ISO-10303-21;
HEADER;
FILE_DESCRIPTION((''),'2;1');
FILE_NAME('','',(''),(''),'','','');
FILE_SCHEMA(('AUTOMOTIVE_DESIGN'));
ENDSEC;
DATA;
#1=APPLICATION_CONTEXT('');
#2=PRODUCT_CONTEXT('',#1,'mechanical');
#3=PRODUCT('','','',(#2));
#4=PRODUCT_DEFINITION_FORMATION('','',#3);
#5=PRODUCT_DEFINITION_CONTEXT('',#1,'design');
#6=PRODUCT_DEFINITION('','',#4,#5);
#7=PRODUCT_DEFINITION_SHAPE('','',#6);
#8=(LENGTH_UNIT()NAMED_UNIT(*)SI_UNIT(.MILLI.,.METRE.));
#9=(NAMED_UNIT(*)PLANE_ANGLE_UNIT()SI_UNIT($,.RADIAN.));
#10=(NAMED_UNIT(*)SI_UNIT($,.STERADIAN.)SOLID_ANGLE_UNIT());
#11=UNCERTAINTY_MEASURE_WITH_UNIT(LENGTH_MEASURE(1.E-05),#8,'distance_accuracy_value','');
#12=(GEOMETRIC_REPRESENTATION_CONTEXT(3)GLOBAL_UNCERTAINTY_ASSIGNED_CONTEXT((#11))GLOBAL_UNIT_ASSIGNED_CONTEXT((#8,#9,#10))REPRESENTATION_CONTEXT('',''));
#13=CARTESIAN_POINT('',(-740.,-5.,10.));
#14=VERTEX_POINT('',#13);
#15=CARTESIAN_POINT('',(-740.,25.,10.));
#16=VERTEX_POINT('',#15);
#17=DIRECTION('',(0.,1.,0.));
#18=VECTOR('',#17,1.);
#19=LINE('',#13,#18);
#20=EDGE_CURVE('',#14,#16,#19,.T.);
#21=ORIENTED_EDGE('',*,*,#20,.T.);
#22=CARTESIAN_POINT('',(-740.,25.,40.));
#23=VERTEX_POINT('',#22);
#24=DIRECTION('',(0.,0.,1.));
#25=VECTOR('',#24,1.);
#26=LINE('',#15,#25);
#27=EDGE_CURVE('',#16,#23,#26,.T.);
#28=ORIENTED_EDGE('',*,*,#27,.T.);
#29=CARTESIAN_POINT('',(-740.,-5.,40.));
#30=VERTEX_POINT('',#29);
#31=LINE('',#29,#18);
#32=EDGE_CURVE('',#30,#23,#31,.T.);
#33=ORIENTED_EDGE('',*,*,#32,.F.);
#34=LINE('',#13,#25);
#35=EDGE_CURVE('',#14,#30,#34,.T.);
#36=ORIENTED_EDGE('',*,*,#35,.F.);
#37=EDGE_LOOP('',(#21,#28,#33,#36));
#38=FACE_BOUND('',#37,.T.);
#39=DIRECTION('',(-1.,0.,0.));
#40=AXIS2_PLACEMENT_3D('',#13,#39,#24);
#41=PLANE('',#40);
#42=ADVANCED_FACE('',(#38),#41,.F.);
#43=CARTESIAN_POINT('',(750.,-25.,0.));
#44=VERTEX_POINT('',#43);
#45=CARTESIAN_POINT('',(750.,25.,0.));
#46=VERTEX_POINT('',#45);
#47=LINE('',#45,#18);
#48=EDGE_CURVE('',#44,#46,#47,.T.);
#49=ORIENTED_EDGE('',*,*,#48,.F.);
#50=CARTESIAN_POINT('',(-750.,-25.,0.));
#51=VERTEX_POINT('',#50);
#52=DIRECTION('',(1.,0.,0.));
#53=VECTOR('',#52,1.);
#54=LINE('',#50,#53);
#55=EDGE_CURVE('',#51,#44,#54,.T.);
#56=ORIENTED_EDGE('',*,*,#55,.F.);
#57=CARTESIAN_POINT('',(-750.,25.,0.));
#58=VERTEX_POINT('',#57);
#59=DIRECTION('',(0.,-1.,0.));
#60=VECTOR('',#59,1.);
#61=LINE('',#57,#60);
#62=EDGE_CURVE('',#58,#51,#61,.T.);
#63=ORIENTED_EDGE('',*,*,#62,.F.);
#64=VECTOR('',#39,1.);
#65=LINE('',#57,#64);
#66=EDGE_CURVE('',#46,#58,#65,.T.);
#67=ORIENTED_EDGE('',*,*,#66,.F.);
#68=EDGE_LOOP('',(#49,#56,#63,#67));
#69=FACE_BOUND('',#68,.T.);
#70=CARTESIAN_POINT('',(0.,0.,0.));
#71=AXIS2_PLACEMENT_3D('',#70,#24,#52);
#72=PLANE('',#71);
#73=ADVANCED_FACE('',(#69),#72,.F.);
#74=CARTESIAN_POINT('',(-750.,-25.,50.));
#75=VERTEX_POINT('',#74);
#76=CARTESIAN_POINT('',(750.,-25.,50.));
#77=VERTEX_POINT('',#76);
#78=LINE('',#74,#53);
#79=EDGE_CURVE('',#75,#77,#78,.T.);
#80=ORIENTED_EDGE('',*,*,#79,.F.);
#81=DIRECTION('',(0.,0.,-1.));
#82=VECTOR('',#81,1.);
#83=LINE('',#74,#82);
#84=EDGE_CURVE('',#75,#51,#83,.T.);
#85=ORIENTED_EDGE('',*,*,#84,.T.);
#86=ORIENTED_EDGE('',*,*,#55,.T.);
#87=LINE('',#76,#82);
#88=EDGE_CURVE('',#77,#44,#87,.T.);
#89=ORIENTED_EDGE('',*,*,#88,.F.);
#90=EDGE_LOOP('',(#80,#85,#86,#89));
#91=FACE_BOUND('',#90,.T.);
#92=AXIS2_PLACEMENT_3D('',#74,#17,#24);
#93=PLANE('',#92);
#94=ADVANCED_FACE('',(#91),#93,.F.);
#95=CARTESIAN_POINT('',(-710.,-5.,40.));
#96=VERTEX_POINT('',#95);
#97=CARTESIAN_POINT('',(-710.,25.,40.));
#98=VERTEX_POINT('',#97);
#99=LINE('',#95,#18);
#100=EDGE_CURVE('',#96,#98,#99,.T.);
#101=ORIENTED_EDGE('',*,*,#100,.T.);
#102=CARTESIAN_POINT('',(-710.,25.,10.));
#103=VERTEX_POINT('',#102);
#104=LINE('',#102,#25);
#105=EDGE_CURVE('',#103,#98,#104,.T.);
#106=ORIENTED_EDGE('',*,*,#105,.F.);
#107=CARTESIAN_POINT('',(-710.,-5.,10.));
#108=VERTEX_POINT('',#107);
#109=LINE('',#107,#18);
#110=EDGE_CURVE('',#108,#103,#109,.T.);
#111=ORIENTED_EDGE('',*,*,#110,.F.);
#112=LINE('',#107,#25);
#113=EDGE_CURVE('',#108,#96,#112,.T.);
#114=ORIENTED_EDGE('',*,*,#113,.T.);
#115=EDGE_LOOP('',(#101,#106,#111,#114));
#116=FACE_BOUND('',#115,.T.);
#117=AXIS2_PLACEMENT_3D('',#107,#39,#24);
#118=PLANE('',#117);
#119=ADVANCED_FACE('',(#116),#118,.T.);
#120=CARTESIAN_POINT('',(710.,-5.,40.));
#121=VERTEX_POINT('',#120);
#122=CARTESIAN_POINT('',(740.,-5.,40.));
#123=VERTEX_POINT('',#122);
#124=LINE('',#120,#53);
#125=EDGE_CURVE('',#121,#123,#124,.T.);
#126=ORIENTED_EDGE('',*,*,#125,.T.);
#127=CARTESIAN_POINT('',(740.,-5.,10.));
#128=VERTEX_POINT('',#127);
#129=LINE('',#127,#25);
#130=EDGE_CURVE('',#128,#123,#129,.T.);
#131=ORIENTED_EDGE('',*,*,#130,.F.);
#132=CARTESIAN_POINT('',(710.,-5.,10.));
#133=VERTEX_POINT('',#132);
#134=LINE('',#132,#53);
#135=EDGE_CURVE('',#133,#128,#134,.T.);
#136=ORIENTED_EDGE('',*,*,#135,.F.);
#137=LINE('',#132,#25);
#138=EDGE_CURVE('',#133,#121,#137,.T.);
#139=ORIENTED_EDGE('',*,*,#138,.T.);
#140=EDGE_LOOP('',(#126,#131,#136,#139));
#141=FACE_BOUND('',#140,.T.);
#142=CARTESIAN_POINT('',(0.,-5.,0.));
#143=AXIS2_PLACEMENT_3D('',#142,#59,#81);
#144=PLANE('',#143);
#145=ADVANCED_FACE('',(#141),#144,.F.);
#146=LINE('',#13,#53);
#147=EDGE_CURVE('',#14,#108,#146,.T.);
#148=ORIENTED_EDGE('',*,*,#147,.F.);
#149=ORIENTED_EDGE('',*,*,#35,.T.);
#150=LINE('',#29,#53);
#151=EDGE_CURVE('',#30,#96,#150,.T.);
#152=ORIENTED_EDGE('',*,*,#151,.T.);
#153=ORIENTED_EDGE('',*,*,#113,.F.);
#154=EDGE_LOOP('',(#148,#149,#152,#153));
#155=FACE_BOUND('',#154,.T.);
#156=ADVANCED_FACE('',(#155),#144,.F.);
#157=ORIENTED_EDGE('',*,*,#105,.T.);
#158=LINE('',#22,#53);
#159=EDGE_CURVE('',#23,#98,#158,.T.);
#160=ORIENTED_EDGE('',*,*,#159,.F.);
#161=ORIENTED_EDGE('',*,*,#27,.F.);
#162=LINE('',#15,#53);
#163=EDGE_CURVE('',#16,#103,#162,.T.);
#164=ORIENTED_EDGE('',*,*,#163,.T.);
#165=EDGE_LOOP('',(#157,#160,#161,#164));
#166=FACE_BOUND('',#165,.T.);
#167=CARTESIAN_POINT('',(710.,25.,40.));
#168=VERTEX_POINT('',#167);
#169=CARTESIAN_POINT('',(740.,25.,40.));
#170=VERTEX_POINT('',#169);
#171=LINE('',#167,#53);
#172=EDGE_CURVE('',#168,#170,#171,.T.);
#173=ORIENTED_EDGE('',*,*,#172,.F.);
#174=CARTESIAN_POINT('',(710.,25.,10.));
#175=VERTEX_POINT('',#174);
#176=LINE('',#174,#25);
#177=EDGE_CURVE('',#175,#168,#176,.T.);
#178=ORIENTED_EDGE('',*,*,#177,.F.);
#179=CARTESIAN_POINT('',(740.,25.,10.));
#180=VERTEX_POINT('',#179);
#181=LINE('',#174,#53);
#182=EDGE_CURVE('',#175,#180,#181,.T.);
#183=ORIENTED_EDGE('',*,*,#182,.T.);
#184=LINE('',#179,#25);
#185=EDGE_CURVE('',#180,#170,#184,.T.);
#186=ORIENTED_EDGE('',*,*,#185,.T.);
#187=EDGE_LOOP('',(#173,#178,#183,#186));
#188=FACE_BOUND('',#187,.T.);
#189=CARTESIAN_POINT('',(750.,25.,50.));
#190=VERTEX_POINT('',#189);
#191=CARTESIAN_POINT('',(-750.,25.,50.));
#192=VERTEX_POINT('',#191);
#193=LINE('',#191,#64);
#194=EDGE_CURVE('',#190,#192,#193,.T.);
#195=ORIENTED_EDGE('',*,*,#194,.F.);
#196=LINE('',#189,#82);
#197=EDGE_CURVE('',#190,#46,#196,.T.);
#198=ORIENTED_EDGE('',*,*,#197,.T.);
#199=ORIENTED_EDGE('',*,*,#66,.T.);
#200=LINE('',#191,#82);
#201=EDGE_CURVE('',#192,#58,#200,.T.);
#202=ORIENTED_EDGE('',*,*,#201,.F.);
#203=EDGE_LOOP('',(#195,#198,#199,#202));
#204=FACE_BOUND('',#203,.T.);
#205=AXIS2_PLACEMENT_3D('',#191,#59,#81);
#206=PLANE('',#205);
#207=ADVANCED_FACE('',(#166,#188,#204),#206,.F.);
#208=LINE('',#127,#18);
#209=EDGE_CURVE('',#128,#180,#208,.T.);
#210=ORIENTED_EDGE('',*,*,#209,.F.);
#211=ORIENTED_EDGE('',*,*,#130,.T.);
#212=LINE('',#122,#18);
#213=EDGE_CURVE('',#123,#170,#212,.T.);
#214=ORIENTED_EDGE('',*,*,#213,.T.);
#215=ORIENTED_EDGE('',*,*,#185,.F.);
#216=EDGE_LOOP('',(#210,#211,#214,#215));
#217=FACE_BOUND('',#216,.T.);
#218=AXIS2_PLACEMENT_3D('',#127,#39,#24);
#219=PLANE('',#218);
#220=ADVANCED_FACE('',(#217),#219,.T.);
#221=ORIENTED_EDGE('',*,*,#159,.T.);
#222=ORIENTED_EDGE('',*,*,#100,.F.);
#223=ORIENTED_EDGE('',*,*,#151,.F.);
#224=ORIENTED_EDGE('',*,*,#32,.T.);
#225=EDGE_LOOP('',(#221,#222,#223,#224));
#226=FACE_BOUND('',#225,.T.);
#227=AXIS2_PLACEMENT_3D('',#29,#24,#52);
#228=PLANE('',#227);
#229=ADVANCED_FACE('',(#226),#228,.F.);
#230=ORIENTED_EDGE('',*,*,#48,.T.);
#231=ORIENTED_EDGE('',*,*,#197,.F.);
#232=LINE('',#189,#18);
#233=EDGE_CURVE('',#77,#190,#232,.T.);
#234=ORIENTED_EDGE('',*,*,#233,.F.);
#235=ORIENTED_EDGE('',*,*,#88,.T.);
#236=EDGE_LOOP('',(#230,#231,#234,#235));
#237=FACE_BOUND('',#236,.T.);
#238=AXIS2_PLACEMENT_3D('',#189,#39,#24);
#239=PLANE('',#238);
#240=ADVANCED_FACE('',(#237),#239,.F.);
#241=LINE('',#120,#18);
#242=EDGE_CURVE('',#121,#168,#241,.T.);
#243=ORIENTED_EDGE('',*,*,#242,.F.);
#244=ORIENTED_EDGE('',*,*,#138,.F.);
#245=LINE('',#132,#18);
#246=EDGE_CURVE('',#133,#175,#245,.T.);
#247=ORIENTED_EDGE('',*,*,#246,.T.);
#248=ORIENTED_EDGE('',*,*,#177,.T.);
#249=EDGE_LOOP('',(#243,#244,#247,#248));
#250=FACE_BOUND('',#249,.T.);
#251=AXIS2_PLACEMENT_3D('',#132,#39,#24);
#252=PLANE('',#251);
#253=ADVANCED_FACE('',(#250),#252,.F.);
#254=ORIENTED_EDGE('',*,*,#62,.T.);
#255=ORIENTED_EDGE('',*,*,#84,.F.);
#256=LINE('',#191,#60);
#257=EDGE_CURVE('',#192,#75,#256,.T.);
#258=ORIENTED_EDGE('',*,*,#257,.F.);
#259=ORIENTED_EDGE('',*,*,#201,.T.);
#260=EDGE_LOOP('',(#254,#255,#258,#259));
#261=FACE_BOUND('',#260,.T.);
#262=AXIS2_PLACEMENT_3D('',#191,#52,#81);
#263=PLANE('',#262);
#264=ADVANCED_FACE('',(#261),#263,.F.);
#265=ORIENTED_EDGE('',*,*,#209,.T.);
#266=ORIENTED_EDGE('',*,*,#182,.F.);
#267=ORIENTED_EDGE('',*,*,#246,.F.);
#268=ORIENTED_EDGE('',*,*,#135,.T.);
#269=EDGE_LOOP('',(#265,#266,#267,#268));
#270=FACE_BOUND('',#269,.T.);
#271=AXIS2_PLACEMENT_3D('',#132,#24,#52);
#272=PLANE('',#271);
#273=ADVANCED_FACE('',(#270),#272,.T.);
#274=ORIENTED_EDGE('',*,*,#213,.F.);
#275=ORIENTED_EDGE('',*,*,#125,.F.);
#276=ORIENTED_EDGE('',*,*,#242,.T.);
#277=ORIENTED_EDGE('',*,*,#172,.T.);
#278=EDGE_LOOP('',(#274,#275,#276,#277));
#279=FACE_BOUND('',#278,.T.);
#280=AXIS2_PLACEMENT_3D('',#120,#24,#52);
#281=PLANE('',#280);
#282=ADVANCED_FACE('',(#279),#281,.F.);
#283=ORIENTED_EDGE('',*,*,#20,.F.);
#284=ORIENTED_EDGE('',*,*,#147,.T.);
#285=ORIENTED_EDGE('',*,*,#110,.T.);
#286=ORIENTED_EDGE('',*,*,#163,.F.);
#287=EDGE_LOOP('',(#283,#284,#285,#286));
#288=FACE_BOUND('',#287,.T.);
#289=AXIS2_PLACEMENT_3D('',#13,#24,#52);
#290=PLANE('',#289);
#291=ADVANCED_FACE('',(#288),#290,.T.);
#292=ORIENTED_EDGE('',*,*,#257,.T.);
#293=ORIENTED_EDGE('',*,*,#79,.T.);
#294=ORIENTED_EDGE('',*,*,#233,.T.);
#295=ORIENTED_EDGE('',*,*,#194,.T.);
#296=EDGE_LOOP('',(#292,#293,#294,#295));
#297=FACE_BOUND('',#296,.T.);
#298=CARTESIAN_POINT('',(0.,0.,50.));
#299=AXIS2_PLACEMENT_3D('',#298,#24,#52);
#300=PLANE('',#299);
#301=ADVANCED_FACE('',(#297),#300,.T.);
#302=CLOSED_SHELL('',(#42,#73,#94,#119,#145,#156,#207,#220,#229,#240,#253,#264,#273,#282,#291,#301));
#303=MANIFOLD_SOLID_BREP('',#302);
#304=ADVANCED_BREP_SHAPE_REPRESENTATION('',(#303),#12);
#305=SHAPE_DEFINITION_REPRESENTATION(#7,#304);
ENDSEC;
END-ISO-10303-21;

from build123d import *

# Parameters (mm, degrees)
SKETCH_1_W          = 1500
SKETCH_1_H          = 50
EXTRUDE_6_DEPTH     = 50
SKETCH_6_W          = 30
SKETCH_6_H          = 30
CUT_EXTRUDE_2_DEPTH = 30


with BuildPart() as part:
    # Эскиз1 → Бобышка-Вытянуть6 (new body)
    with BuildSketch(Plane.XY):
        Rectangle(SKETCH_1_W, SKETCH_1_H)
    extrude(amount=EXTRUDE_6_DEPTH)

    # Эскиз6 → Вырез-Вытянуть2 (cut)
    with BuildSketch(Plane(origin=(0, 25, 0), x_dir=(1, 0, 0), z_dir=(0, 1, 0))):
        with Locations((725, -25)):
            Rectangle(SKETCH_6_W, SKETCH_6_H)
        with Locations((-725, -25)):
            Rectangle(SKETCH_6_W, SKETCH_6_H)
    extrude(amount=-CUT_EXTRUDE_2_DEPTH, mode=Mode.SUBTRACT)


solid = part.part
